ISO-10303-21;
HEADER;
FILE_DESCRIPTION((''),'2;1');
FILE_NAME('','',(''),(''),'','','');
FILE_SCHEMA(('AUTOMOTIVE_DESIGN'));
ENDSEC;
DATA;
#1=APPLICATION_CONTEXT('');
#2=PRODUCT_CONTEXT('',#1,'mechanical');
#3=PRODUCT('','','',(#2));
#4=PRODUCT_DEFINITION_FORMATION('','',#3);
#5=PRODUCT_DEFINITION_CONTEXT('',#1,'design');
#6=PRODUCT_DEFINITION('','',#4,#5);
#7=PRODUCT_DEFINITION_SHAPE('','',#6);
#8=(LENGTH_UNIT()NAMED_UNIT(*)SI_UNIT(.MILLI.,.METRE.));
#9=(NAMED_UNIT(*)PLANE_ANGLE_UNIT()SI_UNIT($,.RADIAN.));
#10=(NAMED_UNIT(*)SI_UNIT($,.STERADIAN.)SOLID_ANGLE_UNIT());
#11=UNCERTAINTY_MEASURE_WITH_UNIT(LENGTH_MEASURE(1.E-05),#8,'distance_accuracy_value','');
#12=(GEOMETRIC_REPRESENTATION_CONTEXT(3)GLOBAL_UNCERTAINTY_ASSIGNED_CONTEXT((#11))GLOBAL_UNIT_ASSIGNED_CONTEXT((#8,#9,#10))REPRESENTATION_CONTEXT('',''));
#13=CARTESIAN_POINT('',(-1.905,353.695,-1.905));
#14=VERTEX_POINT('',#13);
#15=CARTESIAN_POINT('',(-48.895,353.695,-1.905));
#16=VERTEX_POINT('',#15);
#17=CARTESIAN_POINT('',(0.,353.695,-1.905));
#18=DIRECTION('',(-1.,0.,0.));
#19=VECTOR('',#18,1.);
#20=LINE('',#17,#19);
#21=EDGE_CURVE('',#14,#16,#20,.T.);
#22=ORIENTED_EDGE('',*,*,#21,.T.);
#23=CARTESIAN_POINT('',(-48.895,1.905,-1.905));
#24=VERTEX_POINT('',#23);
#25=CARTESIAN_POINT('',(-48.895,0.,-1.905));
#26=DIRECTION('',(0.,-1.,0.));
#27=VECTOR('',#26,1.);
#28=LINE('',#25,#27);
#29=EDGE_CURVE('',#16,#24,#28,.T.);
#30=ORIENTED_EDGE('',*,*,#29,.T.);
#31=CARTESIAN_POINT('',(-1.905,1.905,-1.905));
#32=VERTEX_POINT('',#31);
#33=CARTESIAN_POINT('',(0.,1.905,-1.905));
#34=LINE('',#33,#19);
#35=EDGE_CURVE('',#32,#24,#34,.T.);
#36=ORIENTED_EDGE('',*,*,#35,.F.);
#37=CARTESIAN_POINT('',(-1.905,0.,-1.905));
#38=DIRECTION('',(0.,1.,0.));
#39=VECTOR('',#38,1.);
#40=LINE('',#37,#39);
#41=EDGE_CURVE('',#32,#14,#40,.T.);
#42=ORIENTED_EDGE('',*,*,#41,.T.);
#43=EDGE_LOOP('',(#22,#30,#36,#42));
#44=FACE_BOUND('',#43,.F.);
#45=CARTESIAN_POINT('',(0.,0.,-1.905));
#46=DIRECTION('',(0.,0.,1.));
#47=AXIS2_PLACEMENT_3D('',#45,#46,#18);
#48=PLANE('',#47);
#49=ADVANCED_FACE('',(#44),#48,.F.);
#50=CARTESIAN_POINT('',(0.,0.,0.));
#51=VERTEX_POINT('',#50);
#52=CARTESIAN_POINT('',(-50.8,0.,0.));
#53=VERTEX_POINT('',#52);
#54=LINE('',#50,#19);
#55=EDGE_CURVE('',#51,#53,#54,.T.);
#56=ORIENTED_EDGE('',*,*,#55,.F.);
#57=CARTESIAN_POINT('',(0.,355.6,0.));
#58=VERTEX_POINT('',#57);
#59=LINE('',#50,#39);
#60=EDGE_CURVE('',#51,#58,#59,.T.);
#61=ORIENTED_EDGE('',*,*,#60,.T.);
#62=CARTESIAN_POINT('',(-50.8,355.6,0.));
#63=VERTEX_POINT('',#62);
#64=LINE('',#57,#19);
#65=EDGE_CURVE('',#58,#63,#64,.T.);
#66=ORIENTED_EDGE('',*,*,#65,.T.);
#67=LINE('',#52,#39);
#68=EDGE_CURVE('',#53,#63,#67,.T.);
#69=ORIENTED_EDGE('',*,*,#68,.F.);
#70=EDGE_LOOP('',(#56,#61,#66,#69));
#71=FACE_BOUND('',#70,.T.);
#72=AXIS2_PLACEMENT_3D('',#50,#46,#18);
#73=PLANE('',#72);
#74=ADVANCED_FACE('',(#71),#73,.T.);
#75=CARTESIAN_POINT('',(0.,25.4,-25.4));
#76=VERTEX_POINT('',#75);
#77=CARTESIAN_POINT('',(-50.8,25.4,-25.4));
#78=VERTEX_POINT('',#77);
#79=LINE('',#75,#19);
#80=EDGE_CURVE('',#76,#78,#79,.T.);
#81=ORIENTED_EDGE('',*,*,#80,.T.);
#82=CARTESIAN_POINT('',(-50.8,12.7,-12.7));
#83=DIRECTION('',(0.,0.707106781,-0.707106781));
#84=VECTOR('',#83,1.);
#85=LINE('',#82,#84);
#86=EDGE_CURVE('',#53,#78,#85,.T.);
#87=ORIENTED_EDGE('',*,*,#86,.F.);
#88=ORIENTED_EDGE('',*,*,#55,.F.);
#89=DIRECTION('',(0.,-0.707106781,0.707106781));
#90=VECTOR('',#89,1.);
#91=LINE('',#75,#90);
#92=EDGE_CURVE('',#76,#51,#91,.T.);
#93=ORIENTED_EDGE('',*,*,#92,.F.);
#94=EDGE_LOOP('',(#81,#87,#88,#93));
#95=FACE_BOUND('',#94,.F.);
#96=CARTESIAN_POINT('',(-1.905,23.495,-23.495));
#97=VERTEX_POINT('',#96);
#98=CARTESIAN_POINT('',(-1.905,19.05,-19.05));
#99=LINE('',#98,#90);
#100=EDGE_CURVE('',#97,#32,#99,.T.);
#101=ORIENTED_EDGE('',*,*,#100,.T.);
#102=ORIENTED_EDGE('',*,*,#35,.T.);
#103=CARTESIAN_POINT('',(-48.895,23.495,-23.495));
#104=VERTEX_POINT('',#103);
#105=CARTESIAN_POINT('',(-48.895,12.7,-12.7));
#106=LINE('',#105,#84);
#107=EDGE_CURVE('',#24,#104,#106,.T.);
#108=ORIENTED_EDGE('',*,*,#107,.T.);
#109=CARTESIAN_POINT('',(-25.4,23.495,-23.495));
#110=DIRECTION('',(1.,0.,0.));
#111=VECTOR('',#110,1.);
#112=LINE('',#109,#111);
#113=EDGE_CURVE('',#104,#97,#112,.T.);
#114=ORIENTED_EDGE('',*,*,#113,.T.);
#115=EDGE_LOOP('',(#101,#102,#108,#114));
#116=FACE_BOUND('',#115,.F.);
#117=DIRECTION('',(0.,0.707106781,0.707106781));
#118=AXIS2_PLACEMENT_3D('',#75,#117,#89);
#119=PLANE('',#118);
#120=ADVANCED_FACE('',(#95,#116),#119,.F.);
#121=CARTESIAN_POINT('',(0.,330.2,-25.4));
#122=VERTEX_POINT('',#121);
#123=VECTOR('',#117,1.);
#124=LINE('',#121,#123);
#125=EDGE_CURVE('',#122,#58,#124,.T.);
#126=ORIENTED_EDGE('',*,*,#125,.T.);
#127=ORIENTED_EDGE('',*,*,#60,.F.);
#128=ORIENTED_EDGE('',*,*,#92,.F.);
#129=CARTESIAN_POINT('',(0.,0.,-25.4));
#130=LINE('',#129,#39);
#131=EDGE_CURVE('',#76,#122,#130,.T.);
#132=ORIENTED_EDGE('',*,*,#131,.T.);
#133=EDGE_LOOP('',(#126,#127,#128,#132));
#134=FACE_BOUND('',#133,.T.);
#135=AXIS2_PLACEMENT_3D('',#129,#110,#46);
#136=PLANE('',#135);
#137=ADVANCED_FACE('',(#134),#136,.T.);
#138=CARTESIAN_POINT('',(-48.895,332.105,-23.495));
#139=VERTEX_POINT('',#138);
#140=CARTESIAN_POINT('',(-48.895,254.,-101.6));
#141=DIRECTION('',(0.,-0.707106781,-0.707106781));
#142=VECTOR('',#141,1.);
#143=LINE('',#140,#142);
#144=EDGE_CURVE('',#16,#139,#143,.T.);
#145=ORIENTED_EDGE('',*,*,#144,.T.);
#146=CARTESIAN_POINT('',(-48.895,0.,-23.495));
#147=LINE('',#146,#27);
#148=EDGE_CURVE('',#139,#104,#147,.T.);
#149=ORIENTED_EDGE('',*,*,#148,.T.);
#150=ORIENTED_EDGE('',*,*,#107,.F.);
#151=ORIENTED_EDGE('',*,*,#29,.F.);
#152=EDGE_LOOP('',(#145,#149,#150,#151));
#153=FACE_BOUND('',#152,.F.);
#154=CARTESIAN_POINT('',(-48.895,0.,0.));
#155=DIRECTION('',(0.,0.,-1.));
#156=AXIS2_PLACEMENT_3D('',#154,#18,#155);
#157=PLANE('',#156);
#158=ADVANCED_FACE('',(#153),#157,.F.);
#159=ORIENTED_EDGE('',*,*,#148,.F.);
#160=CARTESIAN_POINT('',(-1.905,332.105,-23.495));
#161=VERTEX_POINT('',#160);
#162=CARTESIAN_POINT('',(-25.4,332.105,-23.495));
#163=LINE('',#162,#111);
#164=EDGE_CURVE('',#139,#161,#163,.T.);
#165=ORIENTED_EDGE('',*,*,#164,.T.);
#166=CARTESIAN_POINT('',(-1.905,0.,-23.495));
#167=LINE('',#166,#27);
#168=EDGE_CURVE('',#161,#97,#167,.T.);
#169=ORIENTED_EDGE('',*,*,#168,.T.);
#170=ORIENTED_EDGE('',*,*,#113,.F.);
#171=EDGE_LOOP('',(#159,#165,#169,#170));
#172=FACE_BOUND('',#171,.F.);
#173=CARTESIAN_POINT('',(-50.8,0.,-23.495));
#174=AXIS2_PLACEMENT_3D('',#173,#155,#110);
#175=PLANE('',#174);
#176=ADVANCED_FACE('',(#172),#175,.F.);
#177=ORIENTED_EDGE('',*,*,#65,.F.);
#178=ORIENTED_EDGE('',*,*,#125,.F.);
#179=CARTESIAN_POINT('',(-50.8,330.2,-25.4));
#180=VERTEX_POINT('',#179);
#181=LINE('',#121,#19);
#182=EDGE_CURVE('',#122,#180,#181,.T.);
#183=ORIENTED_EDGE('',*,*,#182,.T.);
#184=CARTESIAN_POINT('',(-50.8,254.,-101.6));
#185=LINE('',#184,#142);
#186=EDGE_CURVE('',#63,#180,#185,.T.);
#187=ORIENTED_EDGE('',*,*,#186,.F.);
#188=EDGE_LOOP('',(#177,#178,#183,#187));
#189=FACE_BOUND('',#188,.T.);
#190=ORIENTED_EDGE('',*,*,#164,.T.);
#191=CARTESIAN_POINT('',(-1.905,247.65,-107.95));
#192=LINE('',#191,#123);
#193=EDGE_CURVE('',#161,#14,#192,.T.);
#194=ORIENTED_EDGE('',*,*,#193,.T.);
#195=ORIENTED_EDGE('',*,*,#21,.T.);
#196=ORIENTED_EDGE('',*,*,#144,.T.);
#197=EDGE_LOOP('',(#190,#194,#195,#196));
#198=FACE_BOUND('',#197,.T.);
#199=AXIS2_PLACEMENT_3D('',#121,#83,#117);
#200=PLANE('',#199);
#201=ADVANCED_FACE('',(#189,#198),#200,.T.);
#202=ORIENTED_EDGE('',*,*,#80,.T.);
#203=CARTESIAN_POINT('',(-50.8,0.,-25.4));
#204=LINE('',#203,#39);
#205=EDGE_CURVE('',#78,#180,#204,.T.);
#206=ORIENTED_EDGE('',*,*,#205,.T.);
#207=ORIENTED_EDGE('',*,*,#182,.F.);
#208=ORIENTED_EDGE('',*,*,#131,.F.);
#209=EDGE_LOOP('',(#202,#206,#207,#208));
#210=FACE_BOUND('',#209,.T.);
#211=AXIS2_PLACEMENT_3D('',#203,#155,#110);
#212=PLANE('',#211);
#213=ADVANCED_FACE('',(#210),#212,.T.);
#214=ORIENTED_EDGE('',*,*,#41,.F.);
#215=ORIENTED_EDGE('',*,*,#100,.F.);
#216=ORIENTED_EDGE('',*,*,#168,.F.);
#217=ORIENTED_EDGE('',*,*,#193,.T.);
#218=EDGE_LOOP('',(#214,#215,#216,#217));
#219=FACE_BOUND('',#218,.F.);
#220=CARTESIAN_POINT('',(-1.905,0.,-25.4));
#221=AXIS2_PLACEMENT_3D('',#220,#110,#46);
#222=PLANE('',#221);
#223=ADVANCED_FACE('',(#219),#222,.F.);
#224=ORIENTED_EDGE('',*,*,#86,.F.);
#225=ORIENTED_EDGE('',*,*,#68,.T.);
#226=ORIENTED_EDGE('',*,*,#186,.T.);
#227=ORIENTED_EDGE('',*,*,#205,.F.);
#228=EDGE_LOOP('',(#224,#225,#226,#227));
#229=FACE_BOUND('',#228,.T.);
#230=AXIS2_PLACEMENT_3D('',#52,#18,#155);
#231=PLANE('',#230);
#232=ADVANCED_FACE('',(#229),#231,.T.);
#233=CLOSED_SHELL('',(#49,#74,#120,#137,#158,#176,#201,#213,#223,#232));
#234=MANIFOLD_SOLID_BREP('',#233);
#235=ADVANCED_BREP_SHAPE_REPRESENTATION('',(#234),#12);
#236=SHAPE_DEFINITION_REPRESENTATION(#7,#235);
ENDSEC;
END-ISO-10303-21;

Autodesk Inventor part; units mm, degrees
ref_plane "YZ Plane" through (0, 0, 0) normal (1, 0, 0) x (0, 1, 0)
ref_plane "XZ Plane" through (0, 0, 0) normal (0, 1, 0) x (-1, 0, 0)
ref_plane "XY Plane" through (0, 0, 0) normal (0, 0, 1) x (1, 0, 0)
sketch "Sketch1" plane through (0, 0, 0) normal (0, 1, 0) x (-1, 0, 0)
  line L0 (0, 0) -> (50.8, 0)
  line L1 (50.8, 0) -> (50.8, -25.4)
  line L2 (50.8, -25.4) -> (0, -25.4)
  line L3 (0, -25.4) -> (0, 0)
  dimension "d0" = 50.8
  dimension "d1" = 25.4
extrude "Extrusion1" add sketch "Sketch1" along normal blind 355.6
sketch "Sketch3" plane through (0, 0, 0) normal (1, 0, 0) x (0, 0, -1)
  line L0 (25.4, 0) -> (0, 0) projected
  line L1 (25.4, 0) -> (25.4, 25.4)
  line L2 (25.4, 0) -> (25.4, 355.6) projected
  line L3 (0, 0) -> (0, 355.6) projected
  line L4 (25.4, 25.4) -> (0, 0)
  line L5 (0, 177.8) -> (104.5089, 177.8)
  line L6 (0, 0) -> (25.4, 0)
  line L7 (25.4, 355.6) -> (0, 355.6)
  line L8 (25.4, 355.6) -> (25.4, 330.2)
  line L9 (25.4, 330.2) -> (0, 355.6)
  line L10 (0, 355.6) -> (25.4, 355.6)
  dimension "d4" = 25.4
shell "Shell1" thickness 1.905 removed faces 2 at (-16.9333, 0, -16.9333) at (-16.9333, 355.6, -16.9333)
extrude "Extrusion2" cut sketch "Sketch3" against normal blind 355.6 contours L0 L4 L1 | L7 L2 L9
properties part number "graber back peice"
